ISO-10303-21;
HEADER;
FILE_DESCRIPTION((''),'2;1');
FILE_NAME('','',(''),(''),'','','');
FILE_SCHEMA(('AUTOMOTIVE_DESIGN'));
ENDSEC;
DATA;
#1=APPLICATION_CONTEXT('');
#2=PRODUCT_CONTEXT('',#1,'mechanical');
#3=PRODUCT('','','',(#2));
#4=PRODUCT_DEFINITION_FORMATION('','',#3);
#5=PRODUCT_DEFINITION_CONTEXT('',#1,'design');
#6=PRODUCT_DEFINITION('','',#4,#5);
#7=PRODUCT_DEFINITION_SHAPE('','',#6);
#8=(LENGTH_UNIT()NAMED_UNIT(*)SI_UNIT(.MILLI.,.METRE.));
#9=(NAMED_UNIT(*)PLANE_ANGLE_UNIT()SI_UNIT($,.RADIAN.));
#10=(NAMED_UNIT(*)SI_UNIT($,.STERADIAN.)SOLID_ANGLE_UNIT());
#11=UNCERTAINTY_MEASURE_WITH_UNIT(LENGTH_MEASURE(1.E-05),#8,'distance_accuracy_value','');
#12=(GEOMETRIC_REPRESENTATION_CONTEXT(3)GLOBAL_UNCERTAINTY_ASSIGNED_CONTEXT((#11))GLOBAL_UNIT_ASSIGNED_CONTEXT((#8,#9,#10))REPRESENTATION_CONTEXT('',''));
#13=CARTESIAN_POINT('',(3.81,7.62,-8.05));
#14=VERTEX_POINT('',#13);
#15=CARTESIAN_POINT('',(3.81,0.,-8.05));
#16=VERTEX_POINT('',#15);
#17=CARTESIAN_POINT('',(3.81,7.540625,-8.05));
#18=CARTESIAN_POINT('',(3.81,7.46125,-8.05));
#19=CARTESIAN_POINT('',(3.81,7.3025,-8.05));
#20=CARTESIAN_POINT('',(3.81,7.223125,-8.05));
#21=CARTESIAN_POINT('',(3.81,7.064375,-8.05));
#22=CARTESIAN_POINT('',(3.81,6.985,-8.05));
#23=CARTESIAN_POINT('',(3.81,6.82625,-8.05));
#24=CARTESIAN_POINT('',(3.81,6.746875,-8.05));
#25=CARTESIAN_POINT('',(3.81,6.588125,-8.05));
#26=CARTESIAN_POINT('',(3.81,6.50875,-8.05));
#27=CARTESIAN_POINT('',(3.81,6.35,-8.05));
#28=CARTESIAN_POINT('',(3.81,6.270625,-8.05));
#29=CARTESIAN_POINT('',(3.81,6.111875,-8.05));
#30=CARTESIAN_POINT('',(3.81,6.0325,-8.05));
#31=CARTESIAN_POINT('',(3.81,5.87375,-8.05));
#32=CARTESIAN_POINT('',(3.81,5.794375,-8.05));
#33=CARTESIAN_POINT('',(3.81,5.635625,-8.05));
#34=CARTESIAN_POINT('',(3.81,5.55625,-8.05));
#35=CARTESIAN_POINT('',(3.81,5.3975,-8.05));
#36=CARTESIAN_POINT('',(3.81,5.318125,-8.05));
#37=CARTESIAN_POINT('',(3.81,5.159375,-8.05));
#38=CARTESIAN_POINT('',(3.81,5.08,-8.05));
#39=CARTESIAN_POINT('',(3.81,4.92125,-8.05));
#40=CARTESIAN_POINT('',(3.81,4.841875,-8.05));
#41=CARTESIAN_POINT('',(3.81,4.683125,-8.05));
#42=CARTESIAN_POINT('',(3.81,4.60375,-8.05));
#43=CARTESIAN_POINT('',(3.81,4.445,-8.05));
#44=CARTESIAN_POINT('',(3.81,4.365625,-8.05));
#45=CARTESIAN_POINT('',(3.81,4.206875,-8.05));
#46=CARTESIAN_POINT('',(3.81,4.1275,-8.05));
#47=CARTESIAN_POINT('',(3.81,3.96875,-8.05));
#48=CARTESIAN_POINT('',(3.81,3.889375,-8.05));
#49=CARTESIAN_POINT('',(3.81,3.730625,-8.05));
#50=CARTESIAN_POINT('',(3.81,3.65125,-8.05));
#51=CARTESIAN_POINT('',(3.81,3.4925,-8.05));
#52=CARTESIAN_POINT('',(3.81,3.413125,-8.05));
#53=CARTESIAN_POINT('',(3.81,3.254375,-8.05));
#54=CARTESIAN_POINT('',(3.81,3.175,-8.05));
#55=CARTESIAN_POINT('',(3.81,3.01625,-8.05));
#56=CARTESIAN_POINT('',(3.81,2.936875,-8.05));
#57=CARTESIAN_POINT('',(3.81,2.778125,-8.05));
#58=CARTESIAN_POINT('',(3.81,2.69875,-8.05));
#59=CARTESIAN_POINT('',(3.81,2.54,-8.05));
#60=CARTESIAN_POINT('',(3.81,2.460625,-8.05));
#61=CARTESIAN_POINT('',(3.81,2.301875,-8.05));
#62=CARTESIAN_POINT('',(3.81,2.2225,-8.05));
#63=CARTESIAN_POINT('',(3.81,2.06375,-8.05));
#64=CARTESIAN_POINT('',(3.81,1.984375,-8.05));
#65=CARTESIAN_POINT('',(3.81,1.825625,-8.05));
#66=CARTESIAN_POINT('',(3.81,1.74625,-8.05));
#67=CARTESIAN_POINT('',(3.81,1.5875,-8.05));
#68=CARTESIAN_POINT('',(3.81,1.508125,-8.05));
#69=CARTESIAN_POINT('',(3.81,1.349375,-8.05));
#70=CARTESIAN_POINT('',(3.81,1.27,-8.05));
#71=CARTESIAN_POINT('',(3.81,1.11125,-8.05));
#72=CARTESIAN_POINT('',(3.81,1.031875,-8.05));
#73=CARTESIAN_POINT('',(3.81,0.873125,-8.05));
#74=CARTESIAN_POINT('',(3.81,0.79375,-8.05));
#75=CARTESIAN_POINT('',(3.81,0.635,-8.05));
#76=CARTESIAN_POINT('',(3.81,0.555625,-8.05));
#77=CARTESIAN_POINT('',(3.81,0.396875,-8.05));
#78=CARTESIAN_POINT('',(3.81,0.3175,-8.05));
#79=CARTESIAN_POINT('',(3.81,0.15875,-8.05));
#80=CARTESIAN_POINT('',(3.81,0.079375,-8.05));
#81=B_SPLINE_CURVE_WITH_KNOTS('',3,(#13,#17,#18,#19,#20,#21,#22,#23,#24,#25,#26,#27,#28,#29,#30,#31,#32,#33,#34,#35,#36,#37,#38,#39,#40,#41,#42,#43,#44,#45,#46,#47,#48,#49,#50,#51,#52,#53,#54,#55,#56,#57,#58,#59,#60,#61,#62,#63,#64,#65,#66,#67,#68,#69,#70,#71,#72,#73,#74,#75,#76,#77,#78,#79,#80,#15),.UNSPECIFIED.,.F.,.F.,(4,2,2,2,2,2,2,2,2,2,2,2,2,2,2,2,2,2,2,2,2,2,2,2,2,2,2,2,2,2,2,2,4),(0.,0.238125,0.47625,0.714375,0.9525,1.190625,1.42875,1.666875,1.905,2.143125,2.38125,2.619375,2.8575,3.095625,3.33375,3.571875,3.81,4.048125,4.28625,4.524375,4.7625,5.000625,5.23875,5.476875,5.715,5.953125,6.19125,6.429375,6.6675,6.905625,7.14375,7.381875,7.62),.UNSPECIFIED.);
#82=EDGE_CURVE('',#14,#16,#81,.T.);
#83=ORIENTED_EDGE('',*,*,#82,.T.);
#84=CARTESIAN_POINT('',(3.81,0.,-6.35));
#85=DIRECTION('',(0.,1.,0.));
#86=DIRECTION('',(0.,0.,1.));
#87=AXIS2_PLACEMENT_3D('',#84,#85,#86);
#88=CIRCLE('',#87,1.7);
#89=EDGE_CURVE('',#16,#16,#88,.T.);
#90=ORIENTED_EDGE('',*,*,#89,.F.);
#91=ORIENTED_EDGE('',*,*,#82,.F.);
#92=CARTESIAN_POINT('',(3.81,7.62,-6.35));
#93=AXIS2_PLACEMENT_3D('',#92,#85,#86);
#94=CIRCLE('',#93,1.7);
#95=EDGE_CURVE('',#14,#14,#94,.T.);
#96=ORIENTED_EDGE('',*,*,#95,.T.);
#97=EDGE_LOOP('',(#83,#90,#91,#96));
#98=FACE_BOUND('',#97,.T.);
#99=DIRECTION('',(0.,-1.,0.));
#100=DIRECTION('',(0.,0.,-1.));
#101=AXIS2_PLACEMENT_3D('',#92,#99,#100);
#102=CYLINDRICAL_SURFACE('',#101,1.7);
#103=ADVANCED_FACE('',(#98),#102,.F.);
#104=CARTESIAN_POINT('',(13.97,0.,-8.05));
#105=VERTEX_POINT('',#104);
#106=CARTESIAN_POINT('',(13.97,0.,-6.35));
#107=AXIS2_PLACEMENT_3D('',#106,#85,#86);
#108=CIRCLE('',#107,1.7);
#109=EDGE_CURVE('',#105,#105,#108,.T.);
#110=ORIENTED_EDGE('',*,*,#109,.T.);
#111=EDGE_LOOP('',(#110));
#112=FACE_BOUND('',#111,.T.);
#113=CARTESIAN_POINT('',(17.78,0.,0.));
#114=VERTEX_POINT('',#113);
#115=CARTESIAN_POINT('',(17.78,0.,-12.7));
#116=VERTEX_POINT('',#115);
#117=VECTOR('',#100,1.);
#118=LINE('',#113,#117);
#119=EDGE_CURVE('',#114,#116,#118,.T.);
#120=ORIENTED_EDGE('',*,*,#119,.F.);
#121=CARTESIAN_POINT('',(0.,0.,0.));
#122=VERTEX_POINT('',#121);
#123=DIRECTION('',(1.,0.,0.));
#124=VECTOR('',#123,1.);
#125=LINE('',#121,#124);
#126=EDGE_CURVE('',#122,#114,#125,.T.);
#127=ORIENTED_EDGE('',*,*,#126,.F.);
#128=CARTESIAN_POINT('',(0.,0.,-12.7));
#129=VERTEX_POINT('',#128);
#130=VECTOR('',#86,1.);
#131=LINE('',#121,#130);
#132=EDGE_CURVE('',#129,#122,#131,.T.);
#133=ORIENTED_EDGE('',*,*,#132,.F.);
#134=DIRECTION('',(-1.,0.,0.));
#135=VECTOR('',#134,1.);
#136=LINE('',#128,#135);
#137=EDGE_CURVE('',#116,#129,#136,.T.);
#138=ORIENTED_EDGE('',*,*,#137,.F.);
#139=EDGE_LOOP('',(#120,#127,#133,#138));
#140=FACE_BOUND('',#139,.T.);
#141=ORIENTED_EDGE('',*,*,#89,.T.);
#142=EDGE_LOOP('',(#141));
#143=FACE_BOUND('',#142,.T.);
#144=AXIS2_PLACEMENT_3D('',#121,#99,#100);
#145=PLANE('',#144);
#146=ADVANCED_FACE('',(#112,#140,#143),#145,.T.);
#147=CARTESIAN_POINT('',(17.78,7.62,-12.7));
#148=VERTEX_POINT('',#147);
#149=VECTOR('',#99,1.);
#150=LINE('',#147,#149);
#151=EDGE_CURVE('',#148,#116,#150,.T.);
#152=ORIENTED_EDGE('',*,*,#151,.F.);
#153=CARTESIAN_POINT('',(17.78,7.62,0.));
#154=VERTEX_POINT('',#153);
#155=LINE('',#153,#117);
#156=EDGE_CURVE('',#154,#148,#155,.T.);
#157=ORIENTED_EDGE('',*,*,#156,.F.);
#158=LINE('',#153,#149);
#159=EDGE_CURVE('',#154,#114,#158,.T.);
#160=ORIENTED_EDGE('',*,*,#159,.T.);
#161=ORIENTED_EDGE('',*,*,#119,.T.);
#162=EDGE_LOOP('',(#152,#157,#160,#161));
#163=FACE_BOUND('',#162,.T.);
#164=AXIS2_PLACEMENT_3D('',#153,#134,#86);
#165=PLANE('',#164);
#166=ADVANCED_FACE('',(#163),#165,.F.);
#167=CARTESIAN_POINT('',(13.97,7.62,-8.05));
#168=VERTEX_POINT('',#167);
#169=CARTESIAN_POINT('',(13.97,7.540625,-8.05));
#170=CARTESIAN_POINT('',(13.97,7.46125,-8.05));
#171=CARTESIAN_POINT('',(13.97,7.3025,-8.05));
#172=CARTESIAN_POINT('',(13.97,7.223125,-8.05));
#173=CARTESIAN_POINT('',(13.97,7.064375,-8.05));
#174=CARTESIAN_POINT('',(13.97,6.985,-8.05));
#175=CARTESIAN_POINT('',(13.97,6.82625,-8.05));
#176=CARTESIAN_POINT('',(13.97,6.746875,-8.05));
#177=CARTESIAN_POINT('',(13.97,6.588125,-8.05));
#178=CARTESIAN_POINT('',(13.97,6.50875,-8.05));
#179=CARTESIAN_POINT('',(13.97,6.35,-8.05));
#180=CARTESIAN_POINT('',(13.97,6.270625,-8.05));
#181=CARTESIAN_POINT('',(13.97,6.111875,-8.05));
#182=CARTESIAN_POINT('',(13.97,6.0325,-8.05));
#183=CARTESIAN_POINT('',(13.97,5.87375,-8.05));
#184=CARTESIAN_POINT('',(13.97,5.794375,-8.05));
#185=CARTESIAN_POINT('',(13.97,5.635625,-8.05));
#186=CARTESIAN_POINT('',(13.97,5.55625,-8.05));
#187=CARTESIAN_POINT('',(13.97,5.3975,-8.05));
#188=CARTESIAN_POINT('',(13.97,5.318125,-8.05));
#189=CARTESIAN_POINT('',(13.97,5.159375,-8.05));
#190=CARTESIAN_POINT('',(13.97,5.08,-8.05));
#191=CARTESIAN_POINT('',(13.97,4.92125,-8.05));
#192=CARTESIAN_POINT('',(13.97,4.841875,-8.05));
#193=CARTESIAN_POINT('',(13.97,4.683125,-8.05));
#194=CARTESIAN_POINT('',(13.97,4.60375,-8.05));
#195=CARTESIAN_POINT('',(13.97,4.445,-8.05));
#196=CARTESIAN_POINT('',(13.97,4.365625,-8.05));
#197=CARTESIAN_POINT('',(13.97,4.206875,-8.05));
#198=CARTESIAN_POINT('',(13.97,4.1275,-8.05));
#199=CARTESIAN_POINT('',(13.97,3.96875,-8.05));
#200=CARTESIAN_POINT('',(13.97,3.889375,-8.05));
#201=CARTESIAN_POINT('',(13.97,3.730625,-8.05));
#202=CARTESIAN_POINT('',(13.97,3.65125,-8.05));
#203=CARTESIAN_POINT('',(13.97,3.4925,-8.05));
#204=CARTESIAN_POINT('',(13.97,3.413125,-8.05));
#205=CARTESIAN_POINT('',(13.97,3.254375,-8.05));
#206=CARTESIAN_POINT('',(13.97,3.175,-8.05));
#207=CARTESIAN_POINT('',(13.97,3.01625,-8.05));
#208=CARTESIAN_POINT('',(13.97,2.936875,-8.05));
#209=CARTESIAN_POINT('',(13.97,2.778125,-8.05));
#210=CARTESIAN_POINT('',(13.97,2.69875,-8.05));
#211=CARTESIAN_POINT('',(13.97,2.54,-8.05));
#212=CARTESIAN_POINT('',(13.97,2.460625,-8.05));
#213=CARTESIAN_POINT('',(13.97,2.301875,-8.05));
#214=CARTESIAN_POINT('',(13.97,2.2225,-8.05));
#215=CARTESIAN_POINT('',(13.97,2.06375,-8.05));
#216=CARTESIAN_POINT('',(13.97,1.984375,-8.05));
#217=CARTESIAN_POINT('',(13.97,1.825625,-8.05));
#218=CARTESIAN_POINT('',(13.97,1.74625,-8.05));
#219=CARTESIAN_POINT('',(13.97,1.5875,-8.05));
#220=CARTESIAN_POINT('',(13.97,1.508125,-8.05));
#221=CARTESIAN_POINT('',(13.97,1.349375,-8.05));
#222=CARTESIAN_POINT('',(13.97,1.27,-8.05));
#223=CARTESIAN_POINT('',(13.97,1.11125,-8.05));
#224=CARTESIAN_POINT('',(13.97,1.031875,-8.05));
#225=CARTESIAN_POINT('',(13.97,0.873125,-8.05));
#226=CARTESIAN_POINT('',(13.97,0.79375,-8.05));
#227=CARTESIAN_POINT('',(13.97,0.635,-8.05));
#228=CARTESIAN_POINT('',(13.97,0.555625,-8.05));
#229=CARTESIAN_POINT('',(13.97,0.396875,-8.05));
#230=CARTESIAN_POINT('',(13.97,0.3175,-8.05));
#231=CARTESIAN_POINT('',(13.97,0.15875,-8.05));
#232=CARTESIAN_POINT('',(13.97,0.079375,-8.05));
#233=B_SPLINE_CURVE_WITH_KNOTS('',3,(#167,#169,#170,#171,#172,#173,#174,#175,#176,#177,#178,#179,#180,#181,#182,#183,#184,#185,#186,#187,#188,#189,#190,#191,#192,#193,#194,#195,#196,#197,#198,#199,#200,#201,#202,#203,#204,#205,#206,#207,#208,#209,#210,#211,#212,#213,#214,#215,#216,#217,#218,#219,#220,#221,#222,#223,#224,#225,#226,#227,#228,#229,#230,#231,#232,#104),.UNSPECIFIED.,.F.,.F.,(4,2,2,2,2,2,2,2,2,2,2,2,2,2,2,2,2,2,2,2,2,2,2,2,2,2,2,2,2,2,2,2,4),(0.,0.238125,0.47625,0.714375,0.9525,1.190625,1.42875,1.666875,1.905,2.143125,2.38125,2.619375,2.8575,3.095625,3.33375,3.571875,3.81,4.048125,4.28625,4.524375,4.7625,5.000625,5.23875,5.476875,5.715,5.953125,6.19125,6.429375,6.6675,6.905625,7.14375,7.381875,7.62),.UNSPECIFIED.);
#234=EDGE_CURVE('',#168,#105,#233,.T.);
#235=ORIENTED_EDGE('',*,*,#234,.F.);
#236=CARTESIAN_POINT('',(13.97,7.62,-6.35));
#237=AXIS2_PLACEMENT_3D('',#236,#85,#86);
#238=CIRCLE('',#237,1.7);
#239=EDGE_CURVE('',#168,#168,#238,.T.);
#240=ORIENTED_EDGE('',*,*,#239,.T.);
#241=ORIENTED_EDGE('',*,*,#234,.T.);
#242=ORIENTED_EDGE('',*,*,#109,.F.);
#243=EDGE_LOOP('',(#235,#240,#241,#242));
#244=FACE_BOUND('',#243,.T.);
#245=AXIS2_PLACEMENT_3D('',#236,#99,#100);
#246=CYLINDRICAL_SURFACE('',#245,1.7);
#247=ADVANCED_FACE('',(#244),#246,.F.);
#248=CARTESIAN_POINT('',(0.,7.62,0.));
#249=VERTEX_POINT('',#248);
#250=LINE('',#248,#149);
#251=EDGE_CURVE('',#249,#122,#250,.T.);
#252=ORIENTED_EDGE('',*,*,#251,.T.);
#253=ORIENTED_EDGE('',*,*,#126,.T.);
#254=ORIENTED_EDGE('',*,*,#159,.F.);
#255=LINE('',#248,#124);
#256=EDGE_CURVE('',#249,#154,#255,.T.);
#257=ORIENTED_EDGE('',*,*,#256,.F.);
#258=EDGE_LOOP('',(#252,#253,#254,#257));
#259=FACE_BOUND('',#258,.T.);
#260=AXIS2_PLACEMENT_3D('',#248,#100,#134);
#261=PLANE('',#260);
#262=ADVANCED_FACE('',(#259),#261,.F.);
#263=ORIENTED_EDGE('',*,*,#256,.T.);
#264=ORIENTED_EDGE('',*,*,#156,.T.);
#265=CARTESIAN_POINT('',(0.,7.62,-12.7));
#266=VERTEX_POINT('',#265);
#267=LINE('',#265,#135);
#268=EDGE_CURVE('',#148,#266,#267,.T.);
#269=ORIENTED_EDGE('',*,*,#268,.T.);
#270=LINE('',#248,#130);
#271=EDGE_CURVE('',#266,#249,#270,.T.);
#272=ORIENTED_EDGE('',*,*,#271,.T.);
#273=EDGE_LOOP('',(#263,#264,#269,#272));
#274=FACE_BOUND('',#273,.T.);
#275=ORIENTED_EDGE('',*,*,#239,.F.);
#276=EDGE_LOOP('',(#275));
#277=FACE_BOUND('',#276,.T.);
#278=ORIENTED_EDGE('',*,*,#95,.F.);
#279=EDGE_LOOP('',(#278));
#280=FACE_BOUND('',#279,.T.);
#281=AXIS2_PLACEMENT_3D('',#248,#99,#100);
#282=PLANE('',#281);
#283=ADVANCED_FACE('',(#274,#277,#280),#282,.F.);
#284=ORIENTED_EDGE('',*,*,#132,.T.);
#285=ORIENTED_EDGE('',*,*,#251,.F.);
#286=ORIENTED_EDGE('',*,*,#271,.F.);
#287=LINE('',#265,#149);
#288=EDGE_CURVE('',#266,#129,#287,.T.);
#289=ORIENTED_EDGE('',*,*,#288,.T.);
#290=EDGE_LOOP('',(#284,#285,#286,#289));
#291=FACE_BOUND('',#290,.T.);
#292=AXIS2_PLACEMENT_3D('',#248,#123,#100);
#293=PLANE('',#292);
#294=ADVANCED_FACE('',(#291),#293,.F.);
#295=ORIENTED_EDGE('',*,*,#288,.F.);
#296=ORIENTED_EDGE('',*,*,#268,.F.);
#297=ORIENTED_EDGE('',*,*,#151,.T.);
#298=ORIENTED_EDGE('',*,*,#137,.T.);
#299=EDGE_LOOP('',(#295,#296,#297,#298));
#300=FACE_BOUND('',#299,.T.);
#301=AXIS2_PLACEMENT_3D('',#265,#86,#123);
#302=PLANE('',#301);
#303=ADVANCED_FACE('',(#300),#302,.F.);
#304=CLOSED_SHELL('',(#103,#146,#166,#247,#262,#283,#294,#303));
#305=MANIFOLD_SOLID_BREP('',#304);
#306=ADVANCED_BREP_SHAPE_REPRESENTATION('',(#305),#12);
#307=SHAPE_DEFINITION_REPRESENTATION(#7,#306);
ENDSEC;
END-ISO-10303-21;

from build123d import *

# Parameters (mm, degrees)
SKETCH1_W           = 17.78
SKETCH1_H           = 12.7
SKETCH1_R           = 1.7
BOSS_EXTRUDE1_DEPTH = 7.62


with BuildPart() as part:
    # Sketch1 → Boss-Extrude1 (new body)
    with BuildSketch(Plane(origin=(0, 0, 0), x_dir=(1, 0, 0), z_dir=(0, 1, 0))):
        with Locations((8.89, 6.35)):
            Rectangle(SKETCH1_W, SKETCH1_H)
        with Locations(Location((3.81, 6.35, 0), (0, 0, 90))):
            Circle(SKETCH1_R, mode=Mode.SUBTRACT)
        with Locations(Location((13.97, 6.35, 0), (0, 0, 90))):
            Circle(SKETCH1_R, mode=Mode.SUBTRACT)
    extrude(amount=BOSS_EXTRUDE1_DEPTH)


solid = part.part
